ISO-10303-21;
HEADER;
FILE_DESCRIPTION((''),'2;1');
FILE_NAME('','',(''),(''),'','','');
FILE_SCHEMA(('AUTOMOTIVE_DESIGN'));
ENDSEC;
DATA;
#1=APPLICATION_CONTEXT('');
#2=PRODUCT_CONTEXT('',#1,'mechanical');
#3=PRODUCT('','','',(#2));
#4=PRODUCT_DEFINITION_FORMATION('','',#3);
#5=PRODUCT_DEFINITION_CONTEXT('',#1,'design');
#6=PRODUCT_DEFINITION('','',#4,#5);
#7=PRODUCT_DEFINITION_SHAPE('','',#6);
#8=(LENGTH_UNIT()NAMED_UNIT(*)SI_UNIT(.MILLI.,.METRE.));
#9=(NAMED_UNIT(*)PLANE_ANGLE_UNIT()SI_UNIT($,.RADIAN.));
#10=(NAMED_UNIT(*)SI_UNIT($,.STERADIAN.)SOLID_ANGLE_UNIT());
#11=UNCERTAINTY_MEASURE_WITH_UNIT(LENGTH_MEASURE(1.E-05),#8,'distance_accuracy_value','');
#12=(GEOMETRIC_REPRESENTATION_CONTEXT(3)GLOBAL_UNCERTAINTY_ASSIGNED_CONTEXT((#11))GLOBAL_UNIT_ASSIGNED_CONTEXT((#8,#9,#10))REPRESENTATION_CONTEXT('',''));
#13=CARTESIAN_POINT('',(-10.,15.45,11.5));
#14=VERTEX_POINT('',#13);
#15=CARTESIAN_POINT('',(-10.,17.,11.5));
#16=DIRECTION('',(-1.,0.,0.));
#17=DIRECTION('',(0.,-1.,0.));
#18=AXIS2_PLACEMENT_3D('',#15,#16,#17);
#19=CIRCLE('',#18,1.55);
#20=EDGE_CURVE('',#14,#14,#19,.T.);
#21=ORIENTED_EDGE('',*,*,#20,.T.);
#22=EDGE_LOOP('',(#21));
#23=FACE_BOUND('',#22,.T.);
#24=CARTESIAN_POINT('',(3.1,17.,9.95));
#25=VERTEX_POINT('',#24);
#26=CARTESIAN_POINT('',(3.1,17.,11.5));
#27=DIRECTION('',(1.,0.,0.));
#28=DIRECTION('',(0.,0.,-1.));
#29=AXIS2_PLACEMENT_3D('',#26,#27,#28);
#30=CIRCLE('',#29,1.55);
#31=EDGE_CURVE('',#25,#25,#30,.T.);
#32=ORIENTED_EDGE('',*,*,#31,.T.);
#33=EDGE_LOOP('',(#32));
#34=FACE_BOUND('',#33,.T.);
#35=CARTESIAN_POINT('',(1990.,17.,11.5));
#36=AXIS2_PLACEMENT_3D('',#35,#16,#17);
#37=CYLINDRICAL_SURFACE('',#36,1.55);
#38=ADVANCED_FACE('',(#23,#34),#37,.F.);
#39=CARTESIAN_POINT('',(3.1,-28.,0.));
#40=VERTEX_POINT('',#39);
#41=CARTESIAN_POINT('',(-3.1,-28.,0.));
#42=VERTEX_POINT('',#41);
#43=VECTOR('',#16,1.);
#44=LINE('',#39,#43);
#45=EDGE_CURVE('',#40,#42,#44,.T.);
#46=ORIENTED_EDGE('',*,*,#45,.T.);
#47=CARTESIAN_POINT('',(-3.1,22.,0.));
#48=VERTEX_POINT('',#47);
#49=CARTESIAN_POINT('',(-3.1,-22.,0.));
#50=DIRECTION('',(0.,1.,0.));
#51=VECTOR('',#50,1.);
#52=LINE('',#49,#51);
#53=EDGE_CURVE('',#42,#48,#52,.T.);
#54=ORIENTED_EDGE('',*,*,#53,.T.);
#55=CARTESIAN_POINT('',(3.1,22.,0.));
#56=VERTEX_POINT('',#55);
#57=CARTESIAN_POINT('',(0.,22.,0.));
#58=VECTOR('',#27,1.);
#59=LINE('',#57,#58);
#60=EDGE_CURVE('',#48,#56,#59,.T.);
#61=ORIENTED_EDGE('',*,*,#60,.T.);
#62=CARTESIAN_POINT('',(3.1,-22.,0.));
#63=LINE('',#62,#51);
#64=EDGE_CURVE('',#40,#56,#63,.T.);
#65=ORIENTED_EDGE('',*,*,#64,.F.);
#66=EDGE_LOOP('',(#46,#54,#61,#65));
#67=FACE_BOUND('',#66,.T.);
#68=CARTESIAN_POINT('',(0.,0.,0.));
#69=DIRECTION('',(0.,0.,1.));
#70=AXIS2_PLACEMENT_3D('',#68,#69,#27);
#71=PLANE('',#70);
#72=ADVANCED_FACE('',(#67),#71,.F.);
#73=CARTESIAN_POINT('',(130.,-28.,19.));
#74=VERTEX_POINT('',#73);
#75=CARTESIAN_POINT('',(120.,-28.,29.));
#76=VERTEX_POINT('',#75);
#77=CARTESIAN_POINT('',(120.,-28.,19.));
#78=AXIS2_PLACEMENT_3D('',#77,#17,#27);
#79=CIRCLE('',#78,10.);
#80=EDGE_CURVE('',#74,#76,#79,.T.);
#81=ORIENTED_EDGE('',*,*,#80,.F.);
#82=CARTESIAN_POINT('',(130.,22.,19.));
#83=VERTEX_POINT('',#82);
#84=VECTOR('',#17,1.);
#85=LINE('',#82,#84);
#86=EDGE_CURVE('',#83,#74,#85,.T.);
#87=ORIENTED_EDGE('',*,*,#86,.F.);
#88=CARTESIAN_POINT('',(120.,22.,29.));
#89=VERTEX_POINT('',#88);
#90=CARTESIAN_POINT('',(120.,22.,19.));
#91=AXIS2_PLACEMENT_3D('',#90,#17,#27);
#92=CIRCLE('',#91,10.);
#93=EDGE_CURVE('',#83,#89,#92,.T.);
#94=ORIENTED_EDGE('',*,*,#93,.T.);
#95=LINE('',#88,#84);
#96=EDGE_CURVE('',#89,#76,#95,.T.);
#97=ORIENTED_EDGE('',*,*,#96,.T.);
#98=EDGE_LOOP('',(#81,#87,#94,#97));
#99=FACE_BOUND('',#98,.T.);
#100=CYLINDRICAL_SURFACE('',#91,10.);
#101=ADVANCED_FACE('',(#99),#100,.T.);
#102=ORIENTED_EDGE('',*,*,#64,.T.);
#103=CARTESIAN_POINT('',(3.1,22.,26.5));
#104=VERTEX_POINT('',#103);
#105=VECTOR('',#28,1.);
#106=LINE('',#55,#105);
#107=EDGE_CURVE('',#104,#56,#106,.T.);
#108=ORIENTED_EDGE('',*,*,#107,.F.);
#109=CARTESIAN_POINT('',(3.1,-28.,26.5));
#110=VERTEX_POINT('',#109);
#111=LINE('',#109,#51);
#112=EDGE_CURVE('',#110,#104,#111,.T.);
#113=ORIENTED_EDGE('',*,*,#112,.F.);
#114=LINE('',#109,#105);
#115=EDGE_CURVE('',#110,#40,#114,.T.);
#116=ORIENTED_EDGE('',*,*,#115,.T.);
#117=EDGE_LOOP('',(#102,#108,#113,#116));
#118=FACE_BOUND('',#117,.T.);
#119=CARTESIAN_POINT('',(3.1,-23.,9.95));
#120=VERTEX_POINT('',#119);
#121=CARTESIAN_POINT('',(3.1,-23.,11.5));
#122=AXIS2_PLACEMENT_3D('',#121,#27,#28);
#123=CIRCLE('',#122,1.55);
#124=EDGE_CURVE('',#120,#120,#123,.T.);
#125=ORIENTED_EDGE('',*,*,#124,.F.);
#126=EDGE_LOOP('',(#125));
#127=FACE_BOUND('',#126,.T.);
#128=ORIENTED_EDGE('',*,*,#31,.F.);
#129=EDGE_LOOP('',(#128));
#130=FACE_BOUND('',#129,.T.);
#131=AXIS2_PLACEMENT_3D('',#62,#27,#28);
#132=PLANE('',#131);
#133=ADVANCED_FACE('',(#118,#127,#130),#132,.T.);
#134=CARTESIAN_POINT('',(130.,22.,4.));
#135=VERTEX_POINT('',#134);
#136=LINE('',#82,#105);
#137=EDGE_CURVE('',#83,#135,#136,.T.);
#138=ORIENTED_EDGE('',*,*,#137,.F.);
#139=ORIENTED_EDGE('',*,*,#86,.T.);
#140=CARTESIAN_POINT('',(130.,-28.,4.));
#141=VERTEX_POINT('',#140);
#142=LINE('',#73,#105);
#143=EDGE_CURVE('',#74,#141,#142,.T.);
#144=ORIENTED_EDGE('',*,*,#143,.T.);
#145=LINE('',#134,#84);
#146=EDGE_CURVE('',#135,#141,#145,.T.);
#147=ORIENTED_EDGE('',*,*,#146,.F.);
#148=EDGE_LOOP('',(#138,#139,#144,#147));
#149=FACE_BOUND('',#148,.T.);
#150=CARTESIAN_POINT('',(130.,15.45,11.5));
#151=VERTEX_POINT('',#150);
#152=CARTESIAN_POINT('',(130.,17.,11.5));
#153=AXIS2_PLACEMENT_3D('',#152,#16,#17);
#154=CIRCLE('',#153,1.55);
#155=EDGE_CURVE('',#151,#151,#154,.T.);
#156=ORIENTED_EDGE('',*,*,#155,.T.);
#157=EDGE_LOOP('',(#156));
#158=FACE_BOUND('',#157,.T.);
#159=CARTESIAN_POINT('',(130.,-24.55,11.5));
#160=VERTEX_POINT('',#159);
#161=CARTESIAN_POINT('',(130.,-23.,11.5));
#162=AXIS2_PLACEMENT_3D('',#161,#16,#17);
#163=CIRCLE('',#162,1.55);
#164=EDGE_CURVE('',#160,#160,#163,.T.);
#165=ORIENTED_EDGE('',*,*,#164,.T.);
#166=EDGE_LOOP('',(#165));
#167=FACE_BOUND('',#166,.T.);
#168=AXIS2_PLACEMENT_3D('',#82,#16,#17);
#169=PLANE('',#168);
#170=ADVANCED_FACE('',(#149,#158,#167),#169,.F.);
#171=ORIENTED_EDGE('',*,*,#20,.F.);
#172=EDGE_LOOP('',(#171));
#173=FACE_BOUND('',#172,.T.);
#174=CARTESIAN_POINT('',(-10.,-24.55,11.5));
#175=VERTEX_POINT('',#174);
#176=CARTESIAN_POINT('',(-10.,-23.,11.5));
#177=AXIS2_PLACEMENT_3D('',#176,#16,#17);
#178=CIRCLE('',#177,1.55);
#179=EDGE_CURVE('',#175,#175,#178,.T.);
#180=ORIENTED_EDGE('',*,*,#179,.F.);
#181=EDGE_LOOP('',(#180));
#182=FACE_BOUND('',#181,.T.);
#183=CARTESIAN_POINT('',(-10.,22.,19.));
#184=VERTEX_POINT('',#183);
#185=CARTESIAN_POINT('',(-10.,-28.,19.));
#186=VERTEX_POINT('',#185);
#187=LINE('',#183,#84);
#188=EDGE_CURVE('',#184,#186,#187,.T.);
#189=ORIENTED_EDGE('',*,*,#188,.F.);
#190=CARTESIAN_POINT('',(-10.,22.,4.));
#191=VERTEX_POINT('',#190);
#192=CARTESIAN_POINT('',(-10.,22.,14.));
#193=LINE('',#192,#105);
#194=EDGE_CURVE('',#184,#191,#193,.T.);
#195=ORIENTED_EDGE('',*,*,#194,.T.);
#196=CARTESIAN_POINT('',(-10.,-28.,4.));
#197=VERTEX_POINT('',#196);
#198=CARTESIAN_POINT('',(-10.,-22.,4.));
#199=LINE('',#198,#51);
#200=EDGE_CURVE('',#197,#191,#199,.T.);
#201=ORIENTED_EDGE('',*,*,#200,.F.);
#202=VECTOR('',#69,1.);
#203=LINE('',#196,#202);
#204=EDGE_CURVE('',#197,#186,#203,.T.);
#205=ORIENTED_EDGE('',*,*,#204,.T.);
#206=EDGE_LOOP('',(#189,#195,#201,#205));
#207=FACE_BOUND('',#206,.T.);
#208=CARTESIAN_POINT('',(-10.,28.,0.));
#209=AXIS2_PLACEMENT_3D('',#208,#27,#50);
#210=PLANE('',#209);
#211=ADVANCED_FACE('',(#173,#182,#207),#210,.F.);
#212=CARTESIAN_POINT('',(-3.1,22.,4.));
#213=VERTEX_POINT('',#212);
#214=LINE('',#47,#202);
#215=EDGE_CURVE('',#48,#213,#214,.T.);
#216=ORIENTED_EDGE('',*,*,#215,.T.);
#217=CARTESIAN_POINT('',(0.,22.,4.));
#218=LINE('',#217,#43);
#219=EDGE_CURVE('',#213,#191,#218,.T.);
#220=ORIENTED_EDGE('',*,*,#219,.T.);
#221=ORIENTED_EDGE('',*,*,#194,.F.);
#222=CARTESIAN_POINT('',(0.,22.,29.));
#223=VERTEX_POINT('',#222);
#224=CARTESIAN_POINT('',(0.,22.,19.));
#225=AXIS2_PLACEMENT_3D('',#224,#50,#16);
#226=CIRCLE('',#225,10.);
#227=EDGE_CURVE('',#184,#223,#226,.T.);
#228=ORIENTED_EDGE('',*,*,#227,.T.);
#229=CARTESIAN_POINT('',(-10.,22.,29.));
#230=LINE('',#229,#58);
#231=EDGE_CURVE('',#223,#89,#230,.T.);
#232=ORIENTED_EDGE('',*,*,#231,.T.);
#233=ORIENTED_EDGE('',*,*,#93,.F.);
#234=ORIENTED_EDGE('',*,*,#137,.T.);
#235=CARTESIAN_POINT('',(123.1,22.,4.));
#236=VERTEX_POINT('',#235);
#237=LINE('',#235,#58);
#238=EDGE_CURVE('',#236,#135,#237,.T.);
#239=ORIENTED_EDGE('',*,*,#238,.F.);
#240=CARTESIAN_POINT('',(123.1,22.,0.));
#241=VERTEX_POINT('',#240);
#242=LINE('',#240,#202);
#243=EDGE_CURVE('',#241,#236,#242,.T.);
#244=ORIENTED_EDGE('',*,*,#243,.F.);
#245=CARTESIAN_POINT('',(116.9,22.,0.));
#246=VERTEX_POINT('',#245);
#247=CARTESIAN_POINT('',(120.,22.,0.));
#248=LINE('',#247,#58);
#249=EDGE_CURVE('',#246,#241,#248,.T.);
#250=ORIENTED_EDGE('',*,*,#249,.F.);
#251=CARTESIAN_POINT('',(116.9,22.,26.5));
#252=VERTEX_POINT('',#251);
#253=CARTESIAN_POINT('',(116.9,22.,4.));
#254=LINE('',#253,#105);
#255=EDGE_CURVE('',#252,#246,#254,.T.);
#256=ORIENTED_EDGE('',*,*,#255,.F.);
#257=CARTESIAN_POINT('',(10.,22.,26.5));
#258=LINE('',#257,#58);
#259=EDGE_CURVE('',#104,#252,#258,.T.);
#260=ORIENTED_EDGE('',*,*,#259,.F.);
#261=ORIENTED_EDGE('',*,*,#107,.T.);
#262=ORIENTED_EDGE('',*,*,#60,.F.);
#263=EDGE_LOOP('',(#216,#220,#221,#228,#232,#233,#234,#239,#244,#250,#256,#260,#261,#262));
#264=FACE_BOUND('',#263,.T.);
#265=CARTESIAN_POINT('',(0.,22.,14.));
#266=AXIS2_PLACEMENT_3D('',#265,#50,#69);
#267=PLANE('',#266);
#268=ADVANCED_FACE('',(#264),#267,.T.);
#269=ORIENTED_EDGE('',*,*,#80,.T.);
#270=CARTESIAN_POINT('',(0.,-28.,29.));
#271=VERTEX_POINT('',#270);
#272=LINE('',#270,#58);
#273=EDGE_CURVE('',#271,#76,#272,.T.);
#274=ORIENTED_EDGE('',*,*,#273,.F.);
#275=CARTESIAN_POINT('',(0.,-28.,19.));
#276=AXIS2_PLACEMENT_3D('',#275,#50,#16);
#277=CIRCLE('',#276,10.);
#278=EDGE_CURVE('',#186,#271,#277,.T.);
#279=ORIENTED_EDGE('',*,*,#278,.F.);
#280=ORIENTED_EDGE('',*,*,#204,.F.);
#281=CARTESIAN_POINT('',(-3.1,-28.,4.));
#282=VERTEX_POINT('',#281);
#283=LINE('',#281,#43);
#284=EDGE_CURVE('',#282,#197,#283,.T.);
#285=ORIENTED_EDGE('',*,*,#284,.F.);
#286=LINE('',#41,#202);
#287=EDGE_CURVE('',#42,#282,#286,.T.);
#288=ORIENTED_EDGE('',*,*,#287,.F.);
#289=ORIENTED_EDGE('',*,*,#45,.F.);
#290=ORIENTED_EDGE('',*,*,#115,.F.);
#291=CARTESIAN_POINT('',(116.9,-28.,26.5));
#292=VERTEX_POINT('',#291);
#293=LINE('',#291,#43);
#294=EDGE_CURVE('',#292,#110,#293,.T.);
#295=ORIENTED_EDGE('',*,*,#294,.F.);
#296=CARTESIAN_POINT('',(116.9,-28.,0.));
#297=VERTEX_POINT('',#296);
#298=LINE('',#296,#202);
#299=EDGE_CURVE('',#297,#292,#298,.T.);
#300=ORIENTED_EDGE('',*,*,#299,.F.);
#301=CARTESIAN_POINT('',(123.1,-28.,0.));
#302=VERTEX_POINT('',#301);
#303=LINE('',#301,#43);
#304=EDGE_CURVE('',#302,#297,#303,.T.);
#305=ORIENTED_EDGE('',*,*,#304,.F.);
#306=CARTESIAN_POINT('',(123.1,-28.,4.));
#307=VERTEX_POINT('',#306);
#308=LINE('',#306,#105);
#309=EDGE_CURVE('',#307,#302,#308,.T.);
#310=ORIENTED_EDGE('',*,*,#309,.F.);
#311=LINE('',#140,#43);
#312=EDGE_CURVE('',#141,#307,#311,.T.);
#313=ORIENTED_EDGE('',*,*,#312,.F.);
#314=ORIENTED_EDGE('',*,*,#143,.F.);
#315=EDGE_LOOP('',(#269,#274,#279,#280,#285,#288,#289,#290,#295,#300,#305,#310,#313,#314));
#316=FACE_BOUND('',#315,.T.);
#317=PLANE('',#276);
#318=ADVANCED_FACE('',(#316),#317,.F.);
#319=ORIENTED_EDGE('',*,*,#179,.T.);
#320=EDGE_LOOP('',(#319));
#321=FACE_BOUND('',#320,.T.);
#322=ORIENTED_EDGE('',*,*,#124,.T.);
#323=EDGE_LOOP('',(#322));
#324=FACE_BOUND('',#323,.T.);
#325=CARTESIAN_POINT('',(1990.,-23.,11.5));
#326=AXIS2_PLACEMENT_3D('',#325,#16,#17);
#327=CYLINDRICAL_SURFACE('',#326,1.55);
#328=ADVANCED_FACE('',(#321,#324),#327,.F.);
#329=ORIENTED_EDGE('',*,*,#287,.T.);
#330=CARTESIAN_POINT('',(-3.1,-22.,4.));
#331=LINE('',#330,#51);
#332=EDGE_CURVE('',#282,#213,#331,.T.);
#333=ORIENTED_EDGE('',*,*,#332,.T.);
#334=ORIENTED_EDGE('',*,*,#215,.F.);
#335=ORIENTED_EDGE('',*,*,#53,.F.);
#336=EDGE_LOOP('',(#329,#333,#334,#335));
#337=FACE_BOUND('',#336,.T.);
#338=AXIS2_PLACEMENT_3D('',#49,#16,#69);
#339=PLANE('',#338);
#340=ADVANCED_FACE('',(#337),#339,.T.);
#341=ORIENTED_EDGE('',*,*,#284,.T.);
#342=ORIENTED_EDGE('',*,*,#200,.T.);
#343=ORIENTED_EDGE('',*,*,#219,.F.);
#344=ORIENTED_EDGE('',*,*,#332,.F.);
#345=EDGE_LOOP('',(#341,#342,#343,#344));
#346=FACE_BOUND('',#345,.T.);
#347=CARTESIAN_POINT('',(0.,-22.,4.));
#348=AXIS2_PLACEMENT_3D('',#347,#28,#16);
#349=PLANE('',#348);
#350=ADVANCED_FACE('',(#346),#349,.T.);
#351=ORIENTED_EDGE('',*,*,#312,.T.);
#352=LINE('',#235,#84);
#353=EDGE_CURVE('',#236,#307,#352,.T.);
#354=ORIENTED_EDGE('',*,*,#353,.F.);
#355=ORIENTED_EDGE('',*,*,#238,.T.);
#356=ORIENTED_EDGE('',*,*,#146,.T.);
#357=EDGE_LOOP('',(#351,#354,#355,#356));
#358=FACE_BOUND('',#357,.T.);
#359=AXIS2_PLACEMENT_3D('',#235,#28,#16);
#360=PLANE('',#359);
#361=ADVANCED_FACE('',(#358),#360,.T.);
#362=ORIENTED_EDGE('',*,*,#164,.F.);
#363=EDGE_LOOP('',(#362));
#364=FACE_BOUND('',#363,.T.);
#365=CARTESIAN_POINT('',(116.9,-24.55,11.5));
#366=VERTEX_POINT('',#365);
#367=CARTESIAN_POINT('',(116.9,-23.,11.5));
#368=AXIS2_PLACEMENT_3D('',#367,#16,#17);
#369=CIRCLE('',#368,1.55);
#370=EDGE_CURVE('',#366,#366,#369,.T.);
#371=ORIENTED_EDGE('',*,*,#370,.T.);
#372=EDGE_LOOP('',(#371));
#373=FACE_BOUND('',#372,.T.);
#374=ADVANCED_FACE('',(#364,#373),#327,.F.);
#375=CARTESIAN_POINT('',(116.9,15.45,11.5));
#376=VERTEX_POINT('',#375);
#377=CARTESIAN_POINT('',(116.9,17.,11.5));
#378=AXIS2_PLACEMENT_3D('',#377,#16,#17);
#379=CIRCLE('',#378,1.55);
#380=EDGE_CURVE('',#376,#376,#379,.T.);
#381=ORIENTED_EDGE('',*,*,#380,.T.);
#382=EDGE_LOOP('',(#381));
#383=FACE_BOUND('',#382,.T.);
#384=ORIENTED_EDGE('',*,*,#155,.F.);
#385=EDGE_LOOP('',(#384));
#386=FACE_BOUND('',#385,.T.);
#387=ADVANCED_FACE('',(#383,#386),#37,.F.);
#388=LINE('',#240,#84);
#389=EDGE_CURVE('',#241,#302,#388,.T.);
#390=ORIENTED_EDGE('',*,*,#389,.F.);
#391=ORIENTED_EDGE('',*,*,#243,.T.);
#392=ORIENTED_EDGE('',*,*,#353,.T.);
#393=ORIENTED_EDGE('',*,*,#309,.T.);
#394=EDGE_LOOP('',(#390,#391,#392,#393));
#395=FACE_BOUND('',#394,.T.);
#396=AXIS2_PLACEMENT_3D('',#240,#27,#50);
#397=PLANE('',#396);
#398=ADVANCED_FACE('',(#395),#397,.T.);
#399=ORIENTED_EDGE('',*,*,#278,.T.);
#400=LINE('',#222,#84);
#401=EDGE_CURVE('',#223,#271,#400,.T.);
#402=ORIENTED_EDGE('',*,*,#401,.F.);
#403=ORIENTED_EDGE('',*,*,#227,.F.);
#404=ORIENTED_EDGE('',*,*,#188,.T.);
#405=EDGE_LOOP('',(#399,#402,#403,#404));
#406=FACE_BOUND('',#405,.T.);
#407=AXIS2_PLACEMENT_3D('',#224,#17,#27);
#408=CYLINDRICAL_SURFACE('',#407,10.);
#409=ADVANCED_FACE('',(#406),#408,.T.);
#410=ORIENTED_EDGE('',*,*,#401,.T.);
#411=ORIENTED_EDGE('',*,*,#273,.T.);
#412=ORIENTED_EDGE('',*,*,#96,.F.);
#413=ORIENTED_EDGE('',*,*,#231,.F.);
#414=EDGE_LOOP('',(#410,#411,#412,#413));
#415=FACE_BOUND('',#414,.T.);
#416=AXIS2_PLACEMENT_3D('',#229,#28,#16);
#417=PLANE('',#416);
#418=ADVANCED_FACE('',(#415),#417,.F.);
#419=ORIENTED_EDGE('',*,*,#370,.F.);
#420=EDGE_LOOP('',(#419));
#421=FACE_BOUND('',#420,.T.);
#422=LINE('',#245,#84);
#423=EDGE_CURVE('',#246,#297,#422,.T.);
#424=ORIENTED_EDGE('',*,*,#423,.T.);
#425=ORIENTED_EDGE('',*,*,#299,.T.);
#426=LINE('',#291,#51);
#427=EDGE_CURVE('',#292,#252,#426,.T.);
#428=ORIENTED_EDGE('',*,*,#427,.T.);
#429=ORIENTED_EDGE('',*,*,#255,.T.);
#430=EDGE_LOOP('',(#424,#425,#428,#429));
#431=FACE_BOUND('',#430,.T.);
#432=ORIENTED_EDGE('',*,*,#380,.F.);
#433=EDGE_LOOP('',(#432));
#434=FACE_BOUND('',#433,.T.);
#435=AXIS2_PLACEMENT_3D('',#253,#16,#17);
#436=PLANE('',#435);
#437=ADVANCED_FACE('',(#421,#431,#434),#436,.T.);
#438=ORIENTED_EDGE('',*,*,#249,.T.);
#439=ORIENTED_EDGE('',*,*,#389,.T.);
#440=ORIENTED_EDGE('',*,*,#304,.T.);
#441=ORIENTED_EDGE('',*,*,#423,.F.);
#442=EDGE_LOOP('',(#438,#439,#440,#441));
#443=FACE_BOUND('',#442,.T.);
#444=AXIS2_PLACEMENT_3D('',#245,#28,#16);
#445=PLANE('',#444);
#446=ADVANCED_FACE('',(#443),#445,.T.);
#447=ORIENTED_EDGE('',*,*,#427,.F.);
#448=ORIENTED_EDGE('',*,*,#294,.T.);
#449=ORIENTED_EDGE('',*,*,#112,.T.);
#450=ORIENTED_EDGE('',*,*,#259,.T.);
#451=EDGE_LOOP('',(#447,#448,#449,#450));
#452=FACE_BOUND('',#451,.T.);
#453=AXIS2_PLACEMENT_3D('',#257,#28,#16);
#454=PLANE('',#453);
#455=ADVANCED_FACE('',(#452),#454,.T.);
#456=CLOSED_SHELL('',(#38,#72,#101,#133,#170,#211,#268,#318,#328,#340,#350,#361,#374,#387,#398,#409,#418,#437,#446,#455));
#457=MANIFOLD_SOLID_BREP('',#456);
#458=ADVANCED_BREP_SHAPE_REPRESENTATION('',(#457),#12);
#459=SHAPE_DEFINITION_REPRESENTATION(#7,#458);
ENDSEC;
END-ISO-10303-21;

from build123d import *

# Parameters (mm, degrees)
EXTRUDE_1_DEPTH     = 14
CUT_EXTRUDE_1_DEPTH = 44
SKETCH_3_W          = 6.2
SKETCH_3_H          = 6.2
CUT_EXTRUDE_2_DEPTH = 4
SKETCH_4_R          = 4
CUT_EXTRUDE_3_DEPTH = 5
SKETCH_5_R          = 2.6
CUT_EXTRUDE_4_DEPTH = 5
SKETCH_6_R          = 4
EXTRUDE_2_DEPTH     = 10
SKETCH_7_W          = 6.2
SKETCH_7_H          = 4
EXTRUDE_3_DEPTH     = 40
CUT_EXTRUDE_5_DEPTH = 50
SKETCH_9_W          = 20
SKETCH_9_H          = 25
EXTRUDE_4_DEPTH     = 44
CUT_EXTRUDE_6_DEPTH = 44
EXTRUDE_5_DEPTH     = 44
SKETCH_12_W         = 6.9
SKETCH_12_H         = 22.5
CUT_EXTRUDE_7_DEPTH = 50
EXTRUDE_START       = 6
EXTRUDE_6_DEPTH     = 6
SKETCH_15_R         = 1.55
CUT_EXTRUDE_8_DEPTH = 2000


with BuildPart() as part:
    # 草图1 → 凸台-拉伸1 (new body)
    with BuildSketch(Plane.XY):
        Polygon((-15, 22), (-15, -22), (15, -22), (15, 22), (0, 22), align=None)
    extrude(amount=EXTRUDE_1_DEPTH)

    # 草图2 → 切除-拉伸1 (cut)
    with BuildSketch(Plane(origin=(0, 22, 0), x_dir=(1, 0, 0), z_dir=(0, 1, 0))):
        Polygon((-15, 0), (-15, -14), (-10, -4), (-3.1, -4), (-3.1, 0), align=None)
        Polygon((3.1, -4), (10, -4), (15, -14), (15, 0), (3.1, 0), align=None)
    extrude(amount=-CUT_EXTRUDE_1_DEPTH, mode=Mode.SUBTRACT)

    # 草图3 → 切除-拉伸2 (cut)
    with BuildSketch(Plane(origin=(0, 0, 0), x_dir=(-1, 0, 0), z_dir=(0, 0, -1))):
        Rectangle(SKETCH_3_W, SKETCH_3_H)
    extrude(amount=-CUT_EXTRUDE_2_DEPTH, mode=Mode.SUBTRACT)

    # 草图4 → 切除-拉伸3 (cut)
    with BuildSketch(Plane.XY.offset(14)):
        Circle(SKETCH_4_R)
    extrude(amount=-CUT_EXTRUDE_3_DEPTH, mode=Mode.SUBTRACT)

    # 草图5 → 切除-拉伸4 (cut)
    with BuildSketch(Plane.XY.offset(9)):
        Circle(SKETCH_5_R)
    extrude(amount=-CUT_EXTRUDE_4_DEPTH, mode=Mode.SUBTRACT)

    # 草图6 → 凸台-拉伸2 (add)
    with BuildSketch(Plane.XY.offset(14)):
        Circle(SKETCH_6_R)
    extrude(amount=-EXTRUDE_2_DEPTH)

    # 草图7 → 凸台-拉伸3 (add)
    with BuildSketch(Plane(origin=(0, -22, 0), x_dir=(-1, 0, 0), z_dir=(0, -1, 0))):
        with Locations((0, -2)):
            Rectangle(SKETCH_7_W, SKETCH_7_H)
    extrude(amount=-EXTRUDE_3_DEPTH)

    # 草图8 → 切除-拉伸5 (cut)
    with BuildSketch(Plane.XZ.offset(22)):
        Polygon((-15, 14), (-10, 4), (-10, 14), align=None)
        Polygon((15, 14), (10, 14), (10, 4), align=None)
    extrude(amount=-CUT_EXTRUDE_5_DEPTH, mode=Mode.SUBTRACT)

    # 草图9 → 凸台-拉伸4 (add)
    with BuildSketch(Plane.XZ.offset(22)):
        with Locations((0, 16.5)):
            Rectangle(SKETCH_9_W, SKETCH_9_H)
    extrude(amount=-EXTRUDE_4_DEPTH)

    # 草图10 → 切除-拉伸6 (cut)
    with BuildSketch(Plane.XZ.offset(22)):
        with BuildLine():
            Line((-10, 29), (-10, 19))
            ThreePointArc((-10, 19), (-7.071067812, 26.071067812), (0, 29))
            Line((0, 29), (-10, 29))
        make_face()
    extrude(amount=-CUT_EXTRUDE_6_DEPTH, mode=Mode.SUBTRACT)

    # 草图11 → 凸台-拉伸5 (add)
    with BuildSketch(Plane.XZ.offset(22)):
        with BuildLine():
            Line((120, 0), (123.1, 0))
            Line((123.1, 0), (123.1, 4))
            Line((123.1, 4), (130, 4))
            Line((130, 4), (130, 19))
            ThreePointArc((130, 19), (127.071067812, 26.071067812), (120, 29))
            Line((120, 29), (110, 29))
            Line((110, 29), (10, 29))
            Line((10, 29), (10, 26.5))
            Line((10, 26.5), (110, 26.5))
            Line((110, 26.5), (110, 4))
            Line((110, 4), (116.9, 4))
            Line((116.9, 4), (116.9, 0))
            Line((116.9, 0), (120, 0))
        make_face()
    extrude(amount=-EXTRUDE_5_DEPTH)

    # 草图12 → 切除-拉伸7 (cut)
    with BuildSketch(Plane(origin=(0, 22, 0), x_dir=(1, 0, 0), z_dir=(0, 1, 0))):
        with Locations((6.55, -15.25)):
            Rectangle(SKETCH_12_W, SKETCH_12_H)
        with Locations((113.45, -15.25)):
            Rectangle(SKETCH_12_W, SKETCH_12_H)
    extrude(amount=-CUT_EXTRUDE_7_DEPTH, mode=Mode.SUBTRACT)

    # 草图14 → 凸台-拉伸6 (add)
    with BuildSketch(Plane(origin=(0, -22, 0), x_dir=(-1, 0, 0), z_dir=(0, -1, 0)).offset(EXTRUDE_START)):
        with BuildLine():
            Line((3.1, 0), (3.1, -4))
            Line((3.1, -4), (10, -4))
            Line((10, -4), (10, -19))
            ThreePointArc((10, -19), (7.071067812, -26.071067812), (0, -29))
            Line((0, -29), (-120, -29))
            ThreePointArc((-120, -29), (-127.071067812, -26.071067812), (-130, -19))
            Line((-130, -19), (-130, -4))
            Line((-130, -4), (-123.1, -4))
            Line((-123.1, -4), (-123.1, 0))
            Line((-123.1, 0), (-116.9, 0))
            Line((-116.9, 0), (-116.9, -26.5))
            Line((-116.9, -26.5), (-3.1, -26.5))
            Line((-3.1, -26.5), (-3.1, 0))
            Line((-3.1, 0), (3.1, 0))
        make_face()
    extrude(amount=-EXTRUDE_6_DEPTH)

    # 草图15 → 切除-拉伸8 (cut)
    with BuildSketch(Plane.ZY.offset(10)):
        with Locations(Location((11.5, 17, 0), (0, 0, 270))):
            Circle(SKETCH_15_R)
        with Locations(Location((11.5, -23, 0), (0, 0, 270))):
            Circle(SKETCH_15_R)
    extrude(amount=-CUT_EXTRUDE_8_DEPTH, mode=Mode.SUBTRACT)


solid = part.part
